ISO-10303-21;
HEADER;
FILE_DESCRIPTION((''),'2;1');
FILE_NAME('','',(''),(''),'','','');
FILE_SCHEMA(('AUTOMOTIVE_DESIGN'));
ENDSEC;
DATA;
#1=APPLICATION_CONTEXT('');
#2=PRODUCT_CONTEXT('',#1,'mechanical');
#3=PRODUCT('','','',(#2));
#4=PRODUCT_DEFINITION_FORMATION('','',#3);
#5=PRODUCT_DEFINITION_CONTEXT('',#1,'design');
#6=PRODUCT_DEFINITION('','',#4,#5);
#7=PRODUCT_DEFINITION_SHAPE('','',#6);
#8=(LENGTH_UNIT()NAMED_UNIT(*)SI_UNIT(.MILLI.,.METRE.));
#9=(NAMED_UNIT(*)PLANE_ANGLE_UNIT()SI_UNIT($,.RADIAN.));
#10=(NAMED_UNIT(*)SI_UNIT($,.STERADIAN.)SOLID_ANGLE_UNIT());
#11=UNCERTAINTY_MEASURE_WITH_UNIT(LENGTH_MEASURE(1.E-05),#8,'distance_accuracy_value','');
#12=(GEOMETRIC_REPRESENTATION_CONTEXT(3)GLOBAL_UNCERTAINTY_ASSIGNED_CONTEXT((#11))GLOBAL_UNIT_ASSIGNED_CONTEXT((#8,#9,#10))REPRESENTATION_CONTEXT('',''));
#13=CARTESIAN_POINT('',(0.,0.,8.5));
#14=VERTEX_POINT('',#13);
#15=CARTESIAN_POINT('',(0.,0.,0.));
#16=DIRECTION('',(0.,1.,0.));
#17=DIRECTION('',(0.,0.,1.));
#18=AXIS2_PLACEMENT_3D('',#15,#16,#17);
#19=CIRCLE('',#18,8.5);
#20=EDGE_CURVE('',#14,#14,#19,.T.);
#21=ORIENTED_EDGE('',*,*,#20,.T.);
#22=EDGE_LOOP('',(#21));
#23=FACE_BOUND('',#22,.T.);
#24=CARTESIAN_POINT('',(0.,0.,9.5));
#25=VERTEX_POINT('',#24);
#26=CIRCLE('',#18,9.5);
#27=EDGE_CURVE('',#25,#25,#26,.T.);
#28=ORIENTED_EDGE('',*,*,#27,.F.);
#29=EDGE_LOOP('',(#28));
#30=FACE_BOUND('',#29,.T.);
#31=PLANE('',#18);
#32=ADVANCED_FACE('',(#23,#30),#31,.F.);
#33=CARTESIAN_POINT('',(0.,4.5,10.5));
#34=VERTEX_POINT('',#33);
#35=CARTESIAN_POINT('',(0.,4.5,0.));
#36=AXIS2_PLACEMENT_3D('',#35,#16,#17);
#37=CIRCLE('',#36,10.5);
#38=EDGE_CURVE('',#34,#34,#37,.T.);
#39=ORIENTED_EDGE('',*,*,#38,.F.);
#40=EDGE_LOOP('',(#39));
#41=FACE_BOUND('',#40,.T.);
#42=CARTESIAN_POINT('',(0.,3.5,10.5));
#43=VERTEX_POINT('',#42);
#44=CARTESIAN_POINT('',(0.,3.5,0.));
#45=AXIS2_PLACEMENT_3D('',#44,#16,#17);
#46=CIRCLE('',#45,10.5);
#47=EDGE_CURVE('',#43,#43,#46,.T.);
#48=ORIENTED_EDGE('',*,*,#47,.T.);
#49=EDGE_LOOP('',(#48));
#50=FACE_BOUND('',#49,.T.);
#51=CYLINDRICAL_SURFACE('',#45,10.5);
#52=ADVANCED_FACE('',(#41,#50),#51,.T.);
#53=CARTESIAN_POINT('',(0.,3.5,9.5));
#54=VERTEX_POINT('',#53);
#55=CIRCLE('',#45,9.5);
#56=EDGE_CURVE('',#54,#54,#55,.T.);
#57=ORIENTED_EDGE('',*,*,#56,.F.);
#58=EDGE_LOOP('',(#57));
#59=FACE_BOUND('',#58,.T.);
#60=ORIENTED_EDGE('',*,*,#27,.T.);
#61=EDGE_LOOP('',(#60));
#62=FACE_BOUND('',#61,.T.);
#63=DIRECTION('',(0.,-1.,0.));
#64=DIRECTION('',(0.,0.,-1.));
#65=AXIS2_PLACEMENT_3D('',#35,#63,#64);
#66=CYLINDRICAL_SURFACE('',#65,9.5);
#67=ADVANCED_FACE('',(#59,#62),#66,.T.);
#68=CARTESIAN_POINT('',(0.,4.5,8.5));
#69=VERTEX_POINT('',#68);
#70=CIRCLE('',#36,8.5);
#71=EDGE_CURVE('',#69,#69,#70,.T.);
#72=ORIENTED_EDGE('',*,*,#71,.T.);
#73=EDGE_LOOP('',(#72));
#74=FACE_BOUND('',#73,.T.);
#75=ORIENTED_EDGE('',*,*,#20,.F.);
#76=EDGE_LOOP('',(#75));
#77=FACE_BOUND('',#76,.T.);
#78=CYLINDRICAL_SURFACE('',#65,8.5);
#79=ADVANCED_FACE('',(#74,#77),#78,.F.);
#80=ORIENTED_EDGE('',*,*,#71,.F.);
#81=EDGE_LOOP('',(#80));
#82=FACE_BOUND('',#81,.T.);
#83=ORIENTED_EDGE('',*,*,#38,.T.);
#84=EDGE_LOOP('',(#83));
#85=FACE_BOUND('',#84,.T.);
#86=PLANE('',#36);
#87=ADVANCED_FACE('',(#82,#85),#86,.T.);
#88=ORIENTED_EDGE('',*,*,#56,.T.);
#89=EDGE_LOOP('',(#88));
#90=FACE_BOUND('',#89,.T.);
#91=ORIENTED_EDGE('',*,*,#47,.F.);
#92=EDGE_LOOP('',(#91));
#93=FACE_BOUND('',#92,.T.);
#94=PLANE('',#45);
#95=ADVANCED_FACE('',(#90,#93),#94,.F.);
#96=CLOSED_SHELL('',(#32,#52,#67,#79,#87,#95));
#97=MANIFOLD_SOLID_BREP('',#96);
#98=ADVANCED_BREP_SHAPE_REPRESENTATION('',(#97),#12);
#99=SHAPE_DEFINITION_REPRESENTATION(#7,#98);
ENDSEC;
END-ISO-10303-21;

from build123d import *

# Parameters (mm, degrees)
CROQUIS1_R              = 9.5
CROQUIS1_R_2            = 8.5
SALIENTE_EXTRUIR1_DEPTH = 4.5
CROQUIS2_R              = 10.5
CROQUIS2_R_2            = 8.5
SALIENTE_EXTRUIR2_DEPTH = 1


with BuildPart() as part:
    # Croquis1 → Saliente-Extruir1 (new body)
    with BuildSketch(Plane(origin=(0, 0, 0), x_dir=(1, 0, 0), z_dir=(0, 1, 0))):
        Circle(CROQUIS1_R)
        Circle(CROQUIS1_R_2, mode=Mode.SUBTRACT)
    extrude(amount=SALIENTE_EXTRUIR1_DEPTH)

    # Croquis2 → Saliente-Extruir2 (add)
    with BuildSketch(Plane(origin=(0, 4.5, 0), x_dir=(1, 0, 0), z_dir=(0, 1, 0))):
        Circle(CROQUIS2_R)
        Circle(CROQUIS2_R_2, mode=Mode.SUBTRACT)
    extrude(amount=-SALIENTE_EXTRUIR2_DEPTH)


solid = part.part
